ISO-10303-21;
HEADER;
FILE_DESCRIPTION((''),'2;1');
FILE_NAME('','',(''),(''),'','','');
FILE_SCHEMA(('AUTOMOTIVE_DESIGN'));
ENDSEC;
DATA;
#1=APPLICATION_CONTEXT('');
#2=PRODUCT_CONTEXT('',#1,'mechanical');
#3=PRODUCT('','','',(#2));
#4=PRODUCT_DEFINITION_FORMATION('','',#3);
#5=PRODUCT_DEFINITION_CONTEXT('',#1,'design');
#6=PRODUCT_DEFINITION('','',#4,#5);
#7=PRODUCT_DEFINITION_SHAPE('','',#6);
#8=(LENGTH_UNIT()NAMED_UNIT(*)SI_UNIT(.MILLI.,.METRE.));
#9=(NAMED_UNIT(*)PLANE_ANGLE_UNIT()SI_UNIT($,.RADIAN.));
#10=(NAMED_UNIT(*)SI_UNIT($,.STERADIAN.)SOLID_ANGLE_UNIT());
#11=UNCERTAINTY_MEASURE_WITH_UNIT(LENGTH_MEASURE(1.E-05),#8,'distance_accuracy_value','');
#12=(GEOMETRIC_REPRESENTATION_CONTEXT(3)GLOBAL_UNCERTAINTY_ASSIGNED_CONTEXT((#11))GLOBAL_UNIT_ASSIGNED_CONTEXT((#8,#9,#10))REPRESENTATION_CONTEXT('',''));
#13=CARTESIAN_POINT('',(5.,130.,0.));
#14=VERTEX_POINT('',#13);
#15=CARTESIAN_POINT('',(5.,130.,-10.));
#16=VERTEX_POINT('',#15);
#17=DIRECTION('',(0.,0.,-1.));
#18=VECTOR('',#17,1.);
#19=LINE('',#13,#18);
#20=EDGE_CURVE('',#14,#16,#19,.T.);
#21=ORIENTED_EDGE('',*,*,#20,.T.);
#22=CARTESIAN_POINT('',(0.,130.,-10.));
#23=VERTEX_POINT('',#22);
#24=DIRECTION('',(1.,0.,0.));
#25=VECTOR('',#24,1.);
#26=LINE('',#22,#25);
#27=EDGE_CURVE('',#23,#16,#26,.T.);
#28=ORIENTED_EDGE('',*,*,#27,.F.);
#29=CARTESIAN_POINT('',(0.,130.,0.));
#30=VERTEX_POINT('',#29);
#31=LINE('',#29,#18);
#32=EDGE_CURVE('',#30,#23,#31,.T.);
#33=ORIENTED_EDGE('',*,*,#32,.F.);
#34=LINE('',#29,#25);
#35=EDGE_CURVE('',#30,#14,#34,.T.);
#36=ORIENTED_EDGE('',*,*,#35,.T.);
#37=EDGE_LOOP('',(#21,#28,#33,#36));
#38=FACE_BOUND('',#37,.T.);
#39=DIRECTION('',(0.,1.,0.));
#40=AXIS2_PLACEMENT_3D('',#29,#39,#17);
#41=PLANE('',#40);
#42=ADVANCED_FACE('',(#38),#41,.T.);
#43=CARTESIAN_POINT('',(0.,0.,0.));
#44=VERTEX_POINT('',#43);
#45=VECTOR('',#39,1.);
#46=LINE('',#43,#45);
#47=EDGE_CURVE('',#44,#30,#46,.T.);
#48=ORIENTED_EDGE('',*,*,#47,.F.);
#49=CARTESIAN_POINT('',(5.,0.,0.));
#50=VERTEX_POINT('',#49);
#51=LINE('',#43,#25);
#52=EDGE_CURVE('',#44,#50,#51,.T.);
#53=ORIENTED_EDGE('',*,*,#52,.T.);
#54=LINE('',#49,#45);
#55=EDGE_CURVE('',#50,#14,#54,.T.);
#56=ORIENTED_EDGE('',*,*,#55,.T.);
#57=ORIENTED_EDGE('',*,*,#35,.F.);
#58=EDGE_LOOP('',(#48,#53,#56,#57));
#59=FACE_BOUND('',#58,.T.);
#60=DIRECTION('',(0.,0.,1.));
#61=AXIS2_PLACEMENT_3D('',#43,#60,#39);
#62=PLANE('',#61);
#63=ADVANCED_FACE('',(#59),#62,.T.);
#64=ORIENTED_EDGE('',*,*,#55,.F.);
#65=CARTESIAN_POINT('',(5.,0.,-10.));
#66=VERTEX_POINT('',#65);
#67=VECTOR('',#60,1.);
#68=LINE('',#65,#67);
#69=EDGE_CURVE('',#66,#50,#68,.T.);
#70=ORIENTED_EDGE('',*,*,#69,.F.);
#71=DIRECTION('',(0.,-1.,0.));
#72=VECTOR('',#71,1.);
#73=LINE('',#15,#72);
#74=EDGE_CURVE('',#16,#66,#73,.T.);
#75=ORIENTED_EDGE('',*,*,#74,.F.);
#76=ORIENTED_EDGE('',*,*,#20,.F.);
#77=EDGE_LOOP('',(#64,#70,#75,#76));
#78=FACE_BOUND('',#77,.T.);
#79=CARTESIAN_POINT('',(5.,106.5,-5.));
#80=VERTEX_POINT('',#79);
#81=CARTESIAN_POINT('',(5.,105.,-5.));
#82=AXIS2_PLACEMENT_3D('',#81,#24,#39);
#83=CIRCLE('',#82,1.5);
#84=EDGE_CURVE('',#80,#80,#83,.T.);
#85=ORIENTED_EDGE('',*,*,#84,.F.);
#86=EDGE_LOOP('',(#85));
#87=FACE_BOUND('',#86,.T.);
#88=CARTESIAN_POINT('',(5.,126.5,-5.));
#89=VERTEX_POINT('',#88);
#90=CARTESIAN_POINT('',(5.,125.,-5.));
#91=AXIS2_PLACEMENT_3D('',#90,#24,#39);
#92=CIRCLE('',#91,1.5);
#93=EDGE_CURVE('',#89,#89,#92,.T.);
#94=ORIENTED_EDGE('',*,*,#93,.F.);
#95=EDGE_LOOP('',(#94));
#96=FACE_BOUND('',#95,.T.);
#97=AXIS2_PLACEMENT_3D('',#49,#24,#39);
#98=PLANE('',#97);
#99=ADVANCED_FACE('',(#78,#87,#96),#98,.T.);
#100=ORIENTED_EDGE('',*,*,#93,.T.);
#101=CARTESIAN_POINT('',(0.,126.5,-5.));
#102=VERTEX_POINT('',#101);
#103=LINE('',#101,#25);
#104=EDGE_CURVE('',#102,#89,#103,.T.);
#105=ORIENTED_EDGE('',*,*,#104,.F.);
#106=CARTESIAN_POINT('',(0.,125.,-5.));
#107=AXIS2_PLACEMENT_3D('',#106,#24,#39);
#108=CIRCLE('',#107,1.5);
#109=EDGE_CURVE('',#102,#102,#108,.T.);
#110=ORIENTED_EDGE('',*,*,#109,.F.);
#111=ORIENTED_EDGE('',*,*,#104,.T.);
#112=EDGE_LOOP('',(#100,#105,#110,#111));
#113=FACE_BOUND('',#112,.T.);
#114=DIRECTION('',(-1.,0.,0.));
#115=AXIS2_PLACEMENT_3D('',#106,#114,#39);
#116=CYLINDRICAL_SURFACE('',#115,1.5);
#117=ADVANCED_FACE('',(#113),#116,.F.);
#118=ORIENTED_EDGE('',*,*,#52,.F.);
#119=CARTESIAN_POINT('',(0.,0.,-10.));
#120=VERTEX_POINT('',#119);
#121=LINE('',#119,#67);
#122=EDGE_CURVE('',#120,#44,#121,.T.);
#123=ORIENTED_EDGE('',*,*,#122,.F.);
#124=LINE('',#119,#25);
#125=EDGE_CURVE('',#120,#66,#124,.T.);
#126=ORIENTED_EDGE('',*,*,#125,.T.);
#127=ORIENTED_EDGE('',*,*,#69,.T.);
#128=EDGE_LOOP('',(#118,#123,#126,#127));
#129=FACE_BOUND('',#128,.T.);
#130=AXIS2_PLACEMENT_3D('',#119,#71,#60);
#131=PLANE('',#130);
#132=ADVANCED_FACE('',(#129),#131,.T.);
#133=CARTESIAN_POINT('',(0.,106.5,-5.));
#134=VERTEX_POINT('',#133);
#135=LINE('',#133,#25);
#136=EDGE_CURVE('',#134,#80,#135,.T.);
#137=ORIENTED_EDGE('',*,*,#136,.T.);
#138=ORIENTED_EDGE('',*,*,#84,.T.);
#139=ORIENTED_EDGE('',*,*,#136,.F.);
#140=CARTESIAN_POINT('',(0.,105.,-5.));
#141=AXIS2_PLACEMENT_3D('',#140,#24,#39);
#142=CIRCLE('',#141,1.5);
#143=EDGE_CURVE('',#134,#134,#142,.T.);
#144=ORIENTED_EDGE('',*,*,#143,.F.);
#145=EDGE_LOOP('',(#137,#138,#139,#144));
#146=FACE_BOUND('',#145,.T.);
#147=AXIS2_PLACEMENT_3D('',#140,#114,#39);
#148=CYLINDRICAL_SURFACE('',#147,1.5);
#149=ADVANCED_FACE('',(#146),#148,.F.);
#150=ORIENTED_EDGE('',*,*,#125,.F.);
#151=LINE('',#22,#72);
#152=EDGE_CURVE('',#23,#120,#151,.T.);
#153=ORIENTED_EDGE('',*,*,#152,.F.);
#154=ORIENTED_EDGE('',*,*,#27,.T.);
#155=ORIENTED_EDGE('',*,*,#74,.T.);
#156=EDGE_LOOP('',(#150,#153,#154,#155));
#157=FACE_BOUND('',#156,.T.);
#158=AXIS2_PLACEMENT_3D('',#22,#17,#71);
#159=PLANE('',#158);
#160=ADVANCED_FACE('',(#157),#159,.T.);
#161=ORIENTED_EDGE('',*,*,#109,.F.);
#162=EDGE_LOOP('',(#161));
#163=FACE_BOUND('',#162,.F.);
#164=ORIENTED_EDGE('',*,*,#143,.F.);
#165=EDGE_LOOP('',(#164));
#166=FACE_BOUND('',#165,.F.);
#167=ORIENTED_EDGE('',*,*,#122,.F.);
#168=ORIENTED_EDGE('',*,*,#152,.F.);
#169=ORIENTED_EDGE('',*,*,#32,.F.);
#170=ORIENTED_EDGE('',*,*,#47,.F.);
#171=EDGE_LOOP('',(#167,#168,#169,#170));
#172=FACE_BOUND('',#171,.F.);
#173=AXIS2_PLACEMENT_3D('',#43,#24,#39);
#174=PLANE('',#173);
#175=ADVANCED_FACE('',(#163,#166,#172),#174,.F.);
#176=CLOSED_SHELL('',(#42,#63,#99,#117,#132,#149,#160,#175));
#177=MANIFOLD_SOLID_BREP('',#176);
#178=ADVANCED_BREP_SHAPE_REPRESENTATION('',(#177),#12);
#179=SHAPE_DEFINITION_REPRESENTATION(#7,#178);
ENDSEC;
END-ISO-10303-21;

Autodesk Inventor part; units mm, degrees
ref_plane "YZ Plane" through (0, 0, 0) normal (1, 0, 0) x (0, 1, 0)
ref_plane "XZ Plane" through (0, 0, 0) normal (0, 1, 0) x (-1, 0, 0)
ref_plane "XY Plane" through (0, 0, 0) normal (0, 0, 1) x (1, 0, 0)
sketch "Sketch1" plane through (0, 0, 0) normal (1, 0, 0) x (0, 1, 0)
  line L0 (0, 0) -> (130, 0)
  line L1 (130, 0) -> (130, -10)
  line L2 (130, -10) -> (0, -10)
  line L3 (0, -10) -> (0, 0)
  circle A0 centre (125, -5) radius 1.5
  circle A1 centre (105, -5) radius 1.5
  dimension "d0" = 130
  dimension "d1" = 10
  dimension "d4" = 3
  dimension "d5" = 5
  dimension "d6" = 3
  dimension "d8" = 20
extrude "Extrusion1" add sketch "Sketch1" along normal blind 5
properties part number "Vertical_bar"
